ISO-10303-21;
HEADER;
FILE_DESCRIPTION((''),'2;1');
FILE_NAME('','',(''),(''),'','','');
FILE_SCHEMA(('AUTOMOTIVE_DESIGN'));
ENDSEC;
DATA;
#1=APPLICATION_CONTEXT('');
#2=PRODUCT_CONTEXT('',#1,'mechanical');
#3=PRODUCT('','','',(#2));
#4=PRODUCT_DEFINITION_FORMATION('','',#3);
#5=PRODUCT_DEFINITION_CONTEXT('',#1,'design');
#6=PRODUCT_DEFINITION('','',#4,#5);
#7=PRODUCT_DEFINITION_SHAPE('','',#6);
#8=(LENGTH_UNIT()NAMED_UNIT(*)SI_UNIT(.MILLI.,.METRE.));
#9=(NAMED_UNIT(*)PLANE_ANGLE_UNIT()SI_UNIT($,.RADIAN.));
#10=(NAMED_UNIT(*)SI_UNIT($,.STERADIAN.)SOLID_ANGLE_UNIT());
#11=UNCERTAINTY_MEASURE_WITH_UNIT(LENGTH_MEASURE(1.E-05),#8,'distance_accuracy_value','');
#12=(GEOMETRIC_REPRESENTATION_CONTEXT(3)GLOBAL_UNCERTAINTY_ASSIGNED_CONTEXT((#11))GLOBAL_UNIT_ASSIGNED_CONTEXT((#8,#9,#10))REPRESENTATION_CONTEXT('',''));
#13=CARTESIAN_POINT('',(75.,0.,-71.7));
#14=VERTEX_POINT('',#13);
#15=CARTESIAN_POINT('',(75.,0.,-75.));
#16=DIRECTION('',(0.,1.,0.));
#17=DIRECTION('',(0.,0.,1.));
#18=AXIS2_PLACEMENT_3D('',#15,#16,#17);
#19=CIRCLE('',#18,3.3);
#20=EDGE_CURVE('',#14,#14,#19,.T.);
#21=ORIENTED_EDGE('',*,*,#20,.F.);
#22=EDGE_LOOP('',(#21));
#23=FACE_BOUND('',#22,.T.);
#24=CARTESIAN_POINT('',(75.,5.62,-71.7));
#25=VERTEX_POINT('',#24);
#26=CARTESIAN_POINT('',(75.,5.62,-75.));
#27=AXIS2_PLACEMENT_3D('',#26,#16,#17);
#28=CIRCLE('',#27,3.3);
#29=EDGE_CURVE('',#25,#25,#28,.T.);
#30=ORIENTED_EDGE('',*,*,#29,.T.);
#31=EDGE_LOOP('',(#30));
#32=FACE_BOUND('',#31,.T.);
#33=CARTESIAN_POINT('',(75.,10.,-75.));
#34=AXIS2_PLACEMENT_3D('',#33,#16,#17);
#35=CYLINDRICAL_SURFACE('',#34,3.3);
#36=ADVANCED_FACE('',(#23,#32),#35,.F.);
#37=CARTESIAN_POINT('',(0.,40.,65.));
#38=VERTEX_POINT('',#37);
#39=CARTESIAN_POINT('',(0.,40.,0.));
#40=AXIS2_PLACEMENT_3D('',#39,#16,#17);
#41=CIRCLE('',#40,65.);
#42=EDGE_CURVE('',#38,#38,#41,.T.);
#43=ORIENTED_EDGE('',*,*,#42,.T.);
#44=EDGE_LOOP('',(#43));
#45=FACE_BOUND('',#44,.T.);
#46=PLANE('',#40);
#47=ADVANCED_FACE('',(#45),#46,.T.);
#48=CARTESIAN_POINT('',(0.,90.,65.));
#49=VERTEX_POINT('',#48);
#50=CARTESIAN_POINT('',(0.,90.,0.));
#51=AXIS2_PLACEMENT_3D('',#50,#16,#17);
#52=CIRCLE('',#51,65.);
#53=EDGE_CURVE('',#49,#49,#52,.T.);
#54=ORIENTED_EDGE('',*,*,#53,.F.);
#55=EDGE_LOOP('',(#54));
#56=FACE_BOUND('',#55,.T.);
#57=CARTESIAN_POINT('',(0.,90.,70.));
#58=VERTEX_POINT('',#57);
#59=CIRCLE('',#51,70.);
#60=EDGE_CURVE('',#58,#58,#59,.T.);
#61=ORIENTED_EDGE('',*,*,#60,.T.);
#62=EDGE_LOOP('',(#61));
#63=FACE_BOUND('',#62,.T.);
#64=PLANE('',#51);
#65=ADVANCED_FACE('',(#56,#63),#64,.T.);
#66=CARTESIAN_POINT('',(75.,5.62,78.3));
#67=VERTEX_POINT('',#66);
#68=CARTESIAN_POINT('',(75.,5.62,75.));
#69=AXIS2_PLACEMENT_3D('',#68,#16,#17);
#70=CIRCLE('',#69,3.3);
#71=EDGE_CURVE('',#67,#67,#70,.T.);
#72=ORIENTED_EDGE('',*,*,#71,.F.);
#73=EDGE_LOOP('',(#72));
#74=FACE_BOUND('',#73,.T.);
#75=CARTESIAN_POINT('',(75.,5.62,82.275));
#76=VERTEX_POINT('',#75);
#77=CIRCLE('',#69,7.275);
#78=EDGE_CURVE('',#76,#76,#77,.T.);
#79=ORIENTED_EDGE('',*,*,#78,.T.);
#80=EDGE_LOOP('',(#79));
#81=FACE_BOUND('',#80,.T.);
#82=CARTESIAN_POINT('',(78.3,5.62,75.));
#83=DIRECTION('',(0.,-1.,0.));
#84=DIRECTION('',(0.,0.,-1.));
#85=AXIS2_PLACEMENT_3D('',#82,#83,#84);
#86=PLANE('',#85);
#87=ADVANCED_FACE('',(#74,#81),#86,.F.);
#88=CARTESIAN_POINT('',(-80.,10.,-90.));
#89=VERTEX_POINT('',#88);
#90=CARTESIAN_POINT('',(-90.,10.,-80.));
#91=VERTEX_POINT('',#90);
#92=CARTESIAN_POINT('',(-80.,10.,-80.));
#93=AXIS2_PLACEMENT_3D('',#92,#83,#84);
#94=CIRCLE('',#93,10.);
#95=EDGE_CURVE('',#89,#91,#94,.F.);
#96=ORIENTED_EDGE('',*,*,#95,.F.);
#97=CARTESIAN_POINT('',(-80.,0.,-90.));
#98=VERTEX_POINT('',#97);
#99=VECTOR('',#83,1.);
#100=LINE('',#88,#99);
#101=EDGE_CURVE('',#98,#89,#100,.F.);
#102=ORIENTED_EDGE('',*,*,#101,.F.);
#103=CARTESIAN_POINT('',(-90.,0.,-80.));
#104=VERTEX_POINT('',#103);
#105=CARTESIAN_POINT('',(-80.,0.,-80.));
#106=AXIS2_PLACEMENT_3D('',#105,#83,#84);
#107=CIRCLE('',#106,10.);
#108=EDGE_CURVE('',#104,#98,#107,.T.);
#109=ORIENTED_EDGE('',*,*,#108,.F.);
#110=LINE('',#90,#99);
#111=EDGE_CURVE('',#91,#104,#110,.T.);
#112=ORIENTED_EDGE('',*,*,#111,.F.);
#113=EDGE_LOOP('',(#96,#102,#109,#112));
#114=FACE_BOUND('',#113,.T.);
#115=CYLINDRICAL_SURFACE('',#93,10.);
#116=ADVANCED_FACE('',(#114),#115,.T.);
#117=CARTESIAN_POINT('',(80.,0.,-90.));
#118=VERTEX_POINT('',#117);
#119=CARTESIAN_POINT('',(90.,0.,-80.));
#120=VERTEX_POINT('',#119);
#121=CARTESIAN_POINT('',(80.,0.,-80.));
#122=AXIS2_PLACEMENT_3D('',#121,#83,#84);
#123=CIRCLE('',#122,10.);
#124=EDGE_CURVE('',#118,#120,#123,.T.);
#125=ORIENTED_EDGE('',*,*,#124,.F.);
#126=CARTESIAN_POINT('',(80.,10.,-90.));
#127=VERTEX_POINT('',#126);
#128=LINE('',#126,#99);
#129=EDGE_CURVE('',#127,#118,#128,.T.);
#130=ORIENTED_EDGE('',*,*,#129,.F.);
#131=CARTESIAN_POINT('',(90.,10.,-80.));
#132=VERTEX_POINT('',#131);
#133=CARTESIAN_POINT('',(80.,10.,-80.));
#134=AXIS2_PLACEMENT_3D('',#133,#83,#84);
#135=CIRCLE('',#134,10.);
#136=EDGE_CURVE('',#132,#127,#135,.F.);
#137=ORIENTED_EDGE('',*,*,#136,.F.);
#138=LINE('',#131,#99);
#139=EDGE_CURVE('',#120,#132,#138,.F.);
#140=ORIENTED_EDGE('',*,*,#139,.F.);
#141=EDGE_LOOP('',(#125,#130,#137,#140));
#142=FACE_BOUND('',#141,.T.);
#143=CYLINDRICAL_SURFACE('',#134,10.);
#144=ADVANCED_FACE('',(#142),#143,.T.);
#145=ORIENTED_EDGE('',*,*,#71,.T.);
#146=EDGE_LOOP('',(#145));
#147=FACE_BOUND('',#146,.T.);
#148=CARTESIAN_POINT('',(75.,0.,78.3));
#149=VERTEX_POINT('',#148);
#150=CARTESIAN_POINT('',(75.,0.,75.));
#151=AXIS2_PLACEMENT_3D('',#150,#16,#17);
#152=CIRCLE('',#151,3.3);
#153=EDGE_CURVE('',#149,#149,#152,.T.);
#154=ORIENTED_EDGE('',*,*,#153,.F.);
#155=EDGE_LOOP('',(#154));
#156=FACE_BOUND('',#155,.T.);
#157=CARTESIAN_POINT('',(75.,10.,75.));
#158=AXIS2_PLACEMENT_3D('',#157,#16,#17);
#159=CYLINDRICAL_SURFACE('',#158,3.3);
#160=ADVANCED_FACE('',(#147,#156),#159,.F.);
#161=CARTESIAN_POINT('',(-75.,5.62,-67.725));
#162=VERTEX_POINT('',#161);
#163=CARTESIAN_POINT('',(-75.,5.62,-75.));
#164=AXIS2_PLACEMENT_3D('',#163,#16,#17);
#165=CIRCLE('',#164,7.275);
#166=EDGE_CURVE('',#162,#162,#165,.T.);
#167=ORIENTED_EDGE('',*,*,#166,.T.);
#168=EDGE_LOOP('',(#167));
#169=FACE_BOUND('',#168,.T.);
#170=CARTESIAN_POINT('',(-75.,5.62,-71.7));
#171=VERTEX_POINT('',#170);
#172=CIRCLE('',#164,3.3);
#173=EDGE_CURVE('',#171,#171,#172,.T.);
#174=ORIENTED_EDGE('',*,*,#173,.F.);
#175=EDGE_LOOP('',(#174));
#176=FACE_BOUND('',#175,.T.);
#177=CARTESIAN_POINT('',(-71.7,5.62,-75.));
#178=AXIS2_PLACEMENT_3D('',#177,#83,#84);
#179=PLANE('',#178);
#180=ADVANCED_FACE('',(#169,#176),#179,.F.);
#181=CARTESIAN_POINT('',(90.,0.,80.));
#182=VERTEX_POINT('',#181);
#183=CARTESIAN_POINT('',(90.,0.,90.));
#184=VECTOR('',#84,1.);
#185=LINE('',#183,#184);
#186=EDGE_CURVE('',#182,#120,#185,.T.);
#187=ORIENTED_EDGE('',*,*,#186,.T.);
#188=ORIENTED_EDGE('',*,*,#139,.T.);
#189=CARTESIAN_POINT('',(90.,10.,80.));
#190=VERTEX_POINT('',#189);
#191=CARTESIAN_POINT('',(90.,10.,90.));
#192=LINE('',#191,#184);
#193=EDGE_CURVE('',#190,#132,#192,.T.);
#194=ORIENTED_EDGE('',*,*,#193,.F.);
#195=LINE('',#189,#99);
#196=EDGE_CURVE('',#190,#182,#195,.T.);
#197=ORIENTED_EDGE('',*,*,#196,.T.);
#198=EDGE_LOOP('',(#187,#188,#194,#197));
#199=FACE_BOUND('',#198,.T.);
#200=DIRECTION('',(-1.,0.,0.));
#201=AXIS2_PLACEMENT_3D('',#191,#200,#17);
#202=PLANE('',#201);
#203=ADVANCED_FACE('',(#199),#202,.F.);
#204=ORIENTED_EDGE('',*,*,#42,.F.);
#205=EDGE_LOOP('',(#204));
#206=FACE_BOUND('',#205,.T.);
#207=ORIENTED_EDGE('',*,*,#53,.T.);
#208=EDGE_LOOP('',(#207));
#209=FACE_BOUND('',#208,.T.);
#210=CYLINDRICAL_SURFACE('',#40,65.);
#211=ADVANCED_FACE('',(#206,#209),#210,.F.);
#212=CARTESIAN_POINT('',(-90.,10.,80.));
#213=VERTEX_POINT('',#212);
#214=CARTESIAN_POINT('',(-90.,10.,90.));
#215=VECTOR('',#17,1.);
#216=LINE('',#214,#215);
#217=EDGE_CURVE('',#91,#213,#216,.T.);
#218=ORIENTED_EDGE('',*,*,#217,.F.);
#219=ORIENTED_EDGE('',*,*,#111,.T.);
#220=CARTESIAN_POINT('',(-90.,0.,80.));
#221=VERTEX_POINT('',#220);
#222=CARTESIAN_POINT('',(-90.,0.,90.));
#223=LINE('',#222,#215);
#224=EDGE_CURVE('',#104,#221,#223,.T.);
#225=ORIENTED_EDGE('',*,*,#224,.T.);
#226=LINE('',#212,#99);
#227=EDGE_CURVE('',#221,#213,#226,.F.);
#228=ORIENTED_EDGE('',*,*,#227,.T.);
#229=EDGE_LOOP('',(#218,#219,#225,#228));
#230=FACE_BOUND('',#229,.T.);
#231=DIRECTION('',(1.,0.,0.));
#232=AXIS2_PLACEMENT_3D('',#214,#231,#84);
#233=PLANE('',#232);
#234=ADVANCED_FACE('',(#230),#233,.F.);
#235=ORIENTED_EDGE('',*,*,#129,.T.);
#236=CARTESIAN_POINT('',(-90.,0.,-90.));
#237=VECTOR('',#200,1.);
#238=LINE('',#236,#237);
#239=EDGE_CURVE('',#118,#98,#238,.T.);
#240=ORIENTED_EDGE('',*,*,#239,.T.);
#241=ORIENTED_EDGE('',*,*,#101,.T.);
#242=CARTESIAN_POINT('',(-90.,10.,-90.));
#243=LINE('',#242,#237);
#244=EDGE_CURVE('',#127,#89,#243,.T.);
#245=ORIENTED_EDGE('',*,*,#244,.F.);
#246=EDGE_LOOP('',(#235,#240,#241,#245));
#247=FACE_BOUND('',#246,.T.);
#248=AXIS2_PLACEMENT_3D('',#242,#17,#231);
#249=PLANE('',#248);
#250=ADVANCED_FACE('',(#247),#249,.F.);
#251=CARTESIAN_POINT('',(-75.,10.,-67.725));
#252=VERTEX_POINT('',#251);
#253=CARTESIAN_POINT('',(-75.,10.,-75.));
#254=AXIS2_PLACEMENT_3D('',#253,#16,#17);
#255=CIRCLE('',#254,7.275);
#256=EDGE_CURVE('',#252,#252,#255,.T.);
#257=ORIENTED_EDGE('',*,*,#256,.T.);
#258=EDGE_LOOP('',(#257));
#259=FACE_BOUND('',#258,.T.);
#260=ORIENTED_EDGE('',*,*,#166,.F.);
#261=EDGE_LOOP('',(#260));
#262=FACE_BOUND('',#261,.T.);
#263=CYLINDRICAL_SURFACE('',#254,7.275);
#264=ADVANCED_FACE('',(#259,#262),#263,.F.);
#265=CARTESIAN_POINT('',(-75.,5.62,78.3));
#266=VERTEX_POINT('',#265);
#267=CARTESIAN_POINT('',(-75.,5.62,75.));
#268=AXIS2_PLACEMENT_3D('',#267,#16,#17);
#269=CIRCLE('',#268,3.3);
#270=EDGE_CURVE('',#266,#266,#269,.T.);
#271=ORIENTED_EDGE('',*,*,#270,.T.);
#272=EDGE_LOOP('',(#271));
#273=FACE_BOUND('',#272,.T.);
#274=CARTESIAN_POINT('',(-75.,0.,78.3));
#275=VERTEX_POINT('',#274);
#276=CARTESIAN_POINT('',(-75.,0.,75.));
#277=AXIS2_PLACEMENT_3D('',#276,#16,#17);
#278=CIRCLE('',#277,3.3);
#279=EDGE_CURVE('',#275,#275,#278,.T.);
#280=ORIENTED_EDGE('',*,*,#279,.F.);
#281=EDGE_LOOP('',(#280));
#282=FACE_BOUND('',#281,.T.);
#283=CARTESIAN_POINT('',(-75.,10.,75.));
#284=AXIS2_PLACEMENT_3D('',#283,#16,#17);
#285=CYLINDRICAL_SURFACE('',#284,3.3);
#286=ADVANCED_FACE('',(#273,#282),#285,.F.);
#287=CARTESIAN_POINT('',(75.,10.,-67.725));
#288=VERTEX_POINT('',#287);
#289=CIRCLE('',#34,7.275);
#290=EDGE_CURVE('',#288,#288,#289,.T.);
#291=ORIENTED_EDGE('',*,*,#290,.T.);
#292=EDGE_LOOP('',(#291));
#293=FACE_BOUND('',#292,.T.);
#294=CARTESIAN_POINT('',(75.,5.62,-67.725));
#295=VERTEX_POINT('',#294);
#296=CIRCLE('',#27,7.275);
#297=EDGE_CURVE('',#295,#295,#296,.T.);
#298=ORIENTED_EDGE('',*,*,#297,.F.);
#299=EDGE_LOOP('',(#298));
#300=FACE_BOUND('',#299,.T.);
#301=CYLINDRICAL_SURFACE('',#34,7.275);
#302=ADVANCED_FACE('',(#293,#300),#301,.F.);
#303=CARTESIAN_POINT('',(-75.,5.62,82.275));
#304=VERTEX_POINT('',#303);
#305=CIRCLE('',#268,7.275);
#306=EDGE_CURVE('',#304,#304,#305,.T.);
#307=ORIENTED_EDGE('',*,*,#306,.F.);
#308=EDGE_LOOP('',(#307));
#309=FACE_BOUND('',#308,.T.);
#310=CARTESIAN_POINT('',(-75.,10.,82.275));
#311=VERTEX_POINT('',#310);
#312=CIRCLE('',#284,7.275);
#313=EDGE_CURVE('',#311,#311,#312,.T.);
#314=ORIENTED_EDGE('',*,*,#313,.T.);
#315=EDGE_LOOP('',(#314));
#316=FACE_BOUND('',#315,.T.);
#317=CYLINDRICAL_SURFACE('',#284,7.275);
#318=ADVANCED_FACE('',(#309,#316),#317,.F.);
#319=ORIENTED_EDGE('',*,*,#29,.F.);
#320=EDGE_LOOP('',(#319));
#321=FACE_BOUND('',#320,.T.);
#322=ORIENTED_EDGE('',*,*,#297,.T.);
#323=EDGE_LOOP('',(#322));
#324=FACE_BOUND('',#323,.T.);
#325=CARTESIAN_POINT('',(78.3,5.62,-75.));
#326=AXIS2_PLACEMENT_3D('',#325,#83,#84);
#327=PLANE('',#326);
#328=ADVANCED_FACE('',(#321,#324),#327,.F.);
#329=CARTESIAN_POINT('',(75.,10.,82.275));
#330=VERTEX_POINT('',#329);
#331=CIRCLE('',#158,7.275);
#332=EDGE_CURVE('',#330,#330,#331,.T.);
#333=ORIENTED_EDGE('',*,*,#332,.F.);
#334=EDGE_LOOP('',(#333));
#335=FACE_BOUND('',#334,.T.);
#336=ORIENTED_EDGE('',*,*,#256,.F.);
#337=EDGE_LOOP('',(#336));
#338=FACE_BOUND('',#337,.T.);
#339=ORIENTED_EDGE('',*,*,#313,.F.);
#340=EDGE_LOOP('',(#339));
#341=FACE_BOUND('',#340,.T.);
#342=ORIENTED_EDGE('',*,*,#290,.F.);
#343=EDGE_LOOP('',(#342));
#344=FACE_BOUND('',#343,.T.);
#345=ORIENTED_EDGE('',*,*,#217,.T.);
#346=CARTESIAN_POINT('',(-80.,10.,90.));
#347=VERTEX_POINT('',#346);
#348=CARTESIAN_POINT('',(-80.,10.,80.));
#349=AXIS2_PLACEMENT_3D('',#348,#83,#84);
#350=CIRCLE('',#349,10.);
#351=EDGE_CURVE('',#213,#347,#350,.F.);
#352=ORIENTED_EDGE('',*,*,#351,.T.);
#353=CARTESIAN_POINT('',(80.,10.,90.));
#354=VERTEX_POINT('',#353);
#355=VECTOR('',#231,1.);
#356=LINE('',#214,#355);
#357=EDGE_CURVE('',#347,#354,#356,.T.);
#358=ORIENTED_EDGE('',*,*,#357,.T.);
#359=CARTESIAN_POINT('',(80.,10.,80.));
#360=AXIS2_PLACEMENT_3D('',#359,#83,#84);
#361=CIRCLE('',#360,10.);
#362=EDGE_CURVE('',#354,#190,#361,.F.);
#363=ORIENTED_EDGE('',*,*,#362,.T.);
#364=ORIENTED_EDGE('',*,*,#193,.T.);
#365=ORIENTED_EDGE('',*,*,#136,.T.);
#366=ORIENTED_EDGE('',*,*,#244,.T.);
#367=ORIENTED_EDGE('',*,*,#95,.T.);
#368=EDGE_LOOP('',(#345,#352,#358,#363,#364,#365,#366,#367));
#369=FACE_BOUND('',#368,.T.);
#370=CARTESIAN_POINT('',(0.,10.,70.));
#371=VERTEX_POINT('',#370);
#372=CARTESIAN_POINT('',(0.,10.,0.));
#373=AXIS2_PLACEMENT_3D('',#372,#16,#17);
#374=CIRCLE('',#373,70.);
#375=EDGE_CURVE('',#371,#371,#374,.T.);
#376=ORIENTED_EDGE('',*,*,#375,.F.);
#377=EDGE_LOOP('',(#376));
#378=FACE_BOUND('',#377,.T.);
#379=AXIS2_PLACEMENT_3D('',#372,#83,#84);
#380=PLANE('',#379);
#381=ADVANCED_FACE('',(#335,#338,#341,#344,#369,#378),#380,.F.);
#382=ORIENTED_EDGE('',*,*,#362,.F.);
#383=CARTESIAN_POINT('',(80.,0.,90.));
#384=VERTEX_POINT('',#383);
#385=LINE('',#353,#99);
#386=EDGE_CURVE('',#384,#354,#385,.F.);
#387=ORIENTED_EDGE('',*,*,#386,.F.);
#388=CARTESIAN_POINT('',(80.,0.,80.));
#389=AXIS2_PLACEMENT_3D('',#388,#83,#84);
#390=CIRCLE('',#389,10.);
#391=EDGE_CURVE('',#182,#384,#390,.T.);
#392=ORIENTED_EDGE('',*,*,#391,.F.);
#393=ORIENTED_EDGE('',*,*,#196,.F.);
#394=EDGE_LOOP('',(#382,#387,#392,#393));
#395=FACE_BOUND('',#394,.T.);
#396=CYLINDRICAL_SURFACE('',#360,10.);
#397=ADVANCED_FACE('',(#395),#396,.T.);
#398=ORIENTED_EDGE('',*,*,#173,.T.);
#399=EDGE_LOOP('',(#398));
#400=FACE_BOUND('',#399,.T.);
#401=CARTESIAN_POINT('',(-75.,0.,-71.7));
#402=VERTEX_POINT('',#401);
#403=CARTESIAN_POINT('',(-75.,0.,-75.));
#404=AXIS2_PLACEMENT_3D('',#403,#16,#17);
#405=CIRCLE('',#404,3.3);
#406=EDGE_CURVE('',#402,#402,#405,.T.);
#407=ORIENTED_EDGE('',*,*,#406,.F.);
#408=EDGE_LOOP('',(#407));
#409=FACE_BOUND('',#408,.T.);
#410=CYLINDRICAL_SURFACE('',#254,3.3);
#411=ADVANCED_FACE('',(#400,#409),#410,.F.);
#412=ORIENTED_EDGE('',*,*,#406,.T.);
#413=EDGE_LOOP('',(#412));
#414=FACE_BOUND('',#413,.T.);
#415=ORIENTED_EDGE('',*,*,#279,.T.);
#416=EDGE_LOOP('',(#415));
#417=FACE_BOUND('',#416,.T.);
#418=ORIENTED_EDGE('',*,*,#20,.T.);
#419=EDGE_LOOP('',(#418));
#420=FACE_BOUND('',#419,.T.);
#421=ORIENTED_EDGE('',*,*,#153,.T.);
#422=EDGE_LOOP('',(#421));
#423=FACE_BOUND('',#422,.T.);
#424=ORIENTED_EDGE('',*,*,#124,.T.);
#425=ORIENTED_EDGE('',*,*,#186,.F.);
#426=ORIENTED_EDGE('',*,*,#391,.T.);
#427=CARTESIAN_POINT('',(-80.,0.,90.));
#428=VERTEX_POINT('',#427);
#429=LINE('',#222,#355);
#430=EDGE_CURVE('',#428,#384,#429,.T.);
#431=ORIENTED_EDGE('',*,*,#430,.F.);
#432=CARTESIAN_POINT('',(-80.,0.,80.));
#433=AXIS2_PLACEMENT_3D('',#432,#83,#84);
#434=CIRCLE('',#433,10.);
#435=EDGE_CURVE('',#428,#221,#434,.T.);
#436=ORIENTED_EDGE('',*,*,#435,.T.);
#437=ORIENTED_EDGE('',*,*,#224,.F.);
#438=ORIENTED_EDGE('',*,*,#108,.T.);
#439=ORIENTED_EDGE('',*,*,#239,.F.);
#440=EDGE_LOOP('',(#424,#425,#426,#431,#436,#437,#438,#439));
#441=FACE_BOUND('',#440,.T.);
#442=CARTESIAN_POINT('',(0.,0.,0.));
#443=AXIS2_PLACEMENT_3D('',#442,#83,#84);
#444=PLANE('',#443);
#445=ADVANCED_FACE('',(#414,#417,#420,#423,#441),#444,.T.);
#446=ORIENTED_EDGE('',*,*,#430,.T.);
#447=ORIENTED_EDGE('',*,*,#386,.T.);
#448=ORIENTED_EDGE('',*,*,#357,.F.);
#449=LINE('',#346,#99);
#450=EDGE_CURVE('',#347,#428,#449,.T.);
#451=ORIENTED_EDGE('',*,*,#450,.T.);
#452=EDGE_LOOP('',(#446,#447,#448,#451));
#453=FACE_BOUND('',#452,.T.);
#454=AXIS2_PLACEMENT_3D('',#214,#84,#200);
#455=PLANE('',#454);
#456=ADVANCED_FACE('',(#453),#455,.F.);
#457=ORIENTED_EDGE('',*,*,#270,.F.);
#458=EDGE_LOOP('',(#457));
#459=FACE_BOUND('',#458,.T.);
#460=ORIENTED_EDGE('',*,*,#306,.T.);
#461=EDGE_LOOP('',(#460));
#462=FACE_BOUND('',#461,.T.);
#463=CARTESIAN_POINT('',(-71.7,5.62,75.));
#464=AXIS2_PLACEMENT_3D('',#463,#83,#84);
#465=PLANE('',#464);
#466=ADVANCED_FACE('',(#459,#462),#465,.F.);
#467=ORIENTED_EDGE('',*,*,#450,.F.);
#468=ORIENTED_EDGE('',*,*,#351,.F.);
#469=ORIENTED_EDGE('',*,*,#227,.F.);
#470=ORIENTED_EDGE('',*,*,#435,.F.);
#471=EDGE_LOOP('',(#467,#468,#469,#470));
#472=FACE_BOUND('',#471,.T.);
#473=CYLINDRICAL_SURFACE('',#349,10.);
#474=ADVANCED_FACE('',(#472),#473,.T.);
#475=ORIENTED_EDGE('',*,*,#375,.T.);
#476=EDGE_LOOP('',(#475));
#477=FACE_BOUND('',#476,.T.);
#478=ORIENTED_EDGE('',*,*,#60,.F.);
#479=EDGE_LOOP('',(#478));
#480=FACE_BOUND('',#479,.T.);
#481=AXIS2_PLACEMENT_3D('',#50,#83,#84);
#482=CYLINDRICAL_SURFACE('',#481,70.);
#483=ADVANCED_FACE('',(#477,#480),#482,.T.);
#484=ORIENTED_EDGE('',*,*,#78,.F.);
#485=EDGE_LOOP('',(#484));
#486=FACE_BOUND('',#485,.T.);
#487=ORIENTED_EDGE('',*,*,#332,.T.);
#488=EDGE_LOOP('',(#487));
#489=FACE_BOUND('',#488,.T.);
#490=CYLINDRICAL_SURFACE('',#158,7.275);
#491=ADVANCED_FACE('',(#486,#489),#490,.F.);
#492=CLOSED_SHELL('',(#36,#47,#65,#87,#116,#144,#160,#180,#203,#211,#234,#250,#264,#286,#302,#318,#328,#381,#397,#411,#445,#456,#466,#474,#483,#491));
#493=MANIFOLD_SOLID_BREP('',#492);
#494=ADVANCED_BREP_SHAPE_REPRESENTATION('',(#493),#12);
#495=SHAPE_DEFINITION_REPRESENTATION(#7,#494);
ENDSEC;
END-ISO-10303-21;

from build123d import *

# Parameters (mm, degrees)
SKETCH4_W                               = 180
SKETCH4_H                               = 180
BOSS_EXTRUDE2_DEPTH                     = 10
SKETCH5_R                               = 70
BOSS_EXTRUDE3_DEPTH                     = 80
SKETCH7_R                               = 65
CUT_EXTRUDE1_DEPTH                      = 50
CBORE_FOR_M6_HEX_HEAD_BOLT2_D           = 6.6
CBORE_FOR_M6_HEX_HEAD_BOLT2_CBORE_D     = 14.55
CBORE_FOR_M6_HEX_HEAD_BOLT2_CBORE_DEPTH = 4.38
FILLET1_R                               = 10


with BuildPart() as part:
    # Sketch4 → Boss-Extrude2 (new body)
    with BuildSketch(Plane(origin=(0, 0, 0), x_dir=(1, 0, 0), z_dir=(0, 1, 0))):
        Rectangle(SKETCH4_W, SKETCH4_H)
    extrude(amount=BOSS_EXTRUDE2_DEPTH)

    # Sketch5 → Boss-Extrude3 (add)
    with BuildSketch(Plane(origin=(0, 10, 0), x_dir=(1, 0, 0), z_dir=(0, 1, 0))):
        with Locations(Location((0, 0, 0), (0, 0, 270))):
            Circle(SKETCH5_R)
    extrude(amount=BOSS_EXTRUDE3_DEPTH)

    # Sketch7 → Cut-Extrude1 (cut)
    with BuildSketch(Plane(origin=(0, 90, 0), x_dir=(1, 0, 0), z_dir=(0, 1, 0))):
        with Locations(Location((0, 0, 0), (0, 0, 270))):
            Circle(SKETCH7_R)
    extrude(amount=-CUT_EXTRUDE1_DEPTH, mode=Mode.SUBTRACT)

    # CBORE for M6 Hex Head Bolt2 (through all)
    with Locations(Plane(origin=(0, 10, 0), x_dir=(1, 0, 0), z_dir=(0, 1, 0))):
        with Locations((-75, 75), (75, 75), (75, -75), (-75, -75)):
            CounterBoreHole(CBORE_FOR_M6_HEX_HEAD_BOLT2_D / 2, CBORE_FOR_M6_HEX_HEAD_BOLT2_CBORE_D / 2, CBORE_FOR_M6_HEX_HEAD_BOLT2_CBORE_DEPTH)

    # Fillet1
    fillet1_edges = [part.edges().sort_by_distance(p)[0] for p in [
        (90, 5, 90),
        (-90, 5, 90),
        (-90, 5, -90),
        (90, 5, -90),
    ]]
    fillet(fillet1_edges, radius=FILLET1_R)


solid = part.part
